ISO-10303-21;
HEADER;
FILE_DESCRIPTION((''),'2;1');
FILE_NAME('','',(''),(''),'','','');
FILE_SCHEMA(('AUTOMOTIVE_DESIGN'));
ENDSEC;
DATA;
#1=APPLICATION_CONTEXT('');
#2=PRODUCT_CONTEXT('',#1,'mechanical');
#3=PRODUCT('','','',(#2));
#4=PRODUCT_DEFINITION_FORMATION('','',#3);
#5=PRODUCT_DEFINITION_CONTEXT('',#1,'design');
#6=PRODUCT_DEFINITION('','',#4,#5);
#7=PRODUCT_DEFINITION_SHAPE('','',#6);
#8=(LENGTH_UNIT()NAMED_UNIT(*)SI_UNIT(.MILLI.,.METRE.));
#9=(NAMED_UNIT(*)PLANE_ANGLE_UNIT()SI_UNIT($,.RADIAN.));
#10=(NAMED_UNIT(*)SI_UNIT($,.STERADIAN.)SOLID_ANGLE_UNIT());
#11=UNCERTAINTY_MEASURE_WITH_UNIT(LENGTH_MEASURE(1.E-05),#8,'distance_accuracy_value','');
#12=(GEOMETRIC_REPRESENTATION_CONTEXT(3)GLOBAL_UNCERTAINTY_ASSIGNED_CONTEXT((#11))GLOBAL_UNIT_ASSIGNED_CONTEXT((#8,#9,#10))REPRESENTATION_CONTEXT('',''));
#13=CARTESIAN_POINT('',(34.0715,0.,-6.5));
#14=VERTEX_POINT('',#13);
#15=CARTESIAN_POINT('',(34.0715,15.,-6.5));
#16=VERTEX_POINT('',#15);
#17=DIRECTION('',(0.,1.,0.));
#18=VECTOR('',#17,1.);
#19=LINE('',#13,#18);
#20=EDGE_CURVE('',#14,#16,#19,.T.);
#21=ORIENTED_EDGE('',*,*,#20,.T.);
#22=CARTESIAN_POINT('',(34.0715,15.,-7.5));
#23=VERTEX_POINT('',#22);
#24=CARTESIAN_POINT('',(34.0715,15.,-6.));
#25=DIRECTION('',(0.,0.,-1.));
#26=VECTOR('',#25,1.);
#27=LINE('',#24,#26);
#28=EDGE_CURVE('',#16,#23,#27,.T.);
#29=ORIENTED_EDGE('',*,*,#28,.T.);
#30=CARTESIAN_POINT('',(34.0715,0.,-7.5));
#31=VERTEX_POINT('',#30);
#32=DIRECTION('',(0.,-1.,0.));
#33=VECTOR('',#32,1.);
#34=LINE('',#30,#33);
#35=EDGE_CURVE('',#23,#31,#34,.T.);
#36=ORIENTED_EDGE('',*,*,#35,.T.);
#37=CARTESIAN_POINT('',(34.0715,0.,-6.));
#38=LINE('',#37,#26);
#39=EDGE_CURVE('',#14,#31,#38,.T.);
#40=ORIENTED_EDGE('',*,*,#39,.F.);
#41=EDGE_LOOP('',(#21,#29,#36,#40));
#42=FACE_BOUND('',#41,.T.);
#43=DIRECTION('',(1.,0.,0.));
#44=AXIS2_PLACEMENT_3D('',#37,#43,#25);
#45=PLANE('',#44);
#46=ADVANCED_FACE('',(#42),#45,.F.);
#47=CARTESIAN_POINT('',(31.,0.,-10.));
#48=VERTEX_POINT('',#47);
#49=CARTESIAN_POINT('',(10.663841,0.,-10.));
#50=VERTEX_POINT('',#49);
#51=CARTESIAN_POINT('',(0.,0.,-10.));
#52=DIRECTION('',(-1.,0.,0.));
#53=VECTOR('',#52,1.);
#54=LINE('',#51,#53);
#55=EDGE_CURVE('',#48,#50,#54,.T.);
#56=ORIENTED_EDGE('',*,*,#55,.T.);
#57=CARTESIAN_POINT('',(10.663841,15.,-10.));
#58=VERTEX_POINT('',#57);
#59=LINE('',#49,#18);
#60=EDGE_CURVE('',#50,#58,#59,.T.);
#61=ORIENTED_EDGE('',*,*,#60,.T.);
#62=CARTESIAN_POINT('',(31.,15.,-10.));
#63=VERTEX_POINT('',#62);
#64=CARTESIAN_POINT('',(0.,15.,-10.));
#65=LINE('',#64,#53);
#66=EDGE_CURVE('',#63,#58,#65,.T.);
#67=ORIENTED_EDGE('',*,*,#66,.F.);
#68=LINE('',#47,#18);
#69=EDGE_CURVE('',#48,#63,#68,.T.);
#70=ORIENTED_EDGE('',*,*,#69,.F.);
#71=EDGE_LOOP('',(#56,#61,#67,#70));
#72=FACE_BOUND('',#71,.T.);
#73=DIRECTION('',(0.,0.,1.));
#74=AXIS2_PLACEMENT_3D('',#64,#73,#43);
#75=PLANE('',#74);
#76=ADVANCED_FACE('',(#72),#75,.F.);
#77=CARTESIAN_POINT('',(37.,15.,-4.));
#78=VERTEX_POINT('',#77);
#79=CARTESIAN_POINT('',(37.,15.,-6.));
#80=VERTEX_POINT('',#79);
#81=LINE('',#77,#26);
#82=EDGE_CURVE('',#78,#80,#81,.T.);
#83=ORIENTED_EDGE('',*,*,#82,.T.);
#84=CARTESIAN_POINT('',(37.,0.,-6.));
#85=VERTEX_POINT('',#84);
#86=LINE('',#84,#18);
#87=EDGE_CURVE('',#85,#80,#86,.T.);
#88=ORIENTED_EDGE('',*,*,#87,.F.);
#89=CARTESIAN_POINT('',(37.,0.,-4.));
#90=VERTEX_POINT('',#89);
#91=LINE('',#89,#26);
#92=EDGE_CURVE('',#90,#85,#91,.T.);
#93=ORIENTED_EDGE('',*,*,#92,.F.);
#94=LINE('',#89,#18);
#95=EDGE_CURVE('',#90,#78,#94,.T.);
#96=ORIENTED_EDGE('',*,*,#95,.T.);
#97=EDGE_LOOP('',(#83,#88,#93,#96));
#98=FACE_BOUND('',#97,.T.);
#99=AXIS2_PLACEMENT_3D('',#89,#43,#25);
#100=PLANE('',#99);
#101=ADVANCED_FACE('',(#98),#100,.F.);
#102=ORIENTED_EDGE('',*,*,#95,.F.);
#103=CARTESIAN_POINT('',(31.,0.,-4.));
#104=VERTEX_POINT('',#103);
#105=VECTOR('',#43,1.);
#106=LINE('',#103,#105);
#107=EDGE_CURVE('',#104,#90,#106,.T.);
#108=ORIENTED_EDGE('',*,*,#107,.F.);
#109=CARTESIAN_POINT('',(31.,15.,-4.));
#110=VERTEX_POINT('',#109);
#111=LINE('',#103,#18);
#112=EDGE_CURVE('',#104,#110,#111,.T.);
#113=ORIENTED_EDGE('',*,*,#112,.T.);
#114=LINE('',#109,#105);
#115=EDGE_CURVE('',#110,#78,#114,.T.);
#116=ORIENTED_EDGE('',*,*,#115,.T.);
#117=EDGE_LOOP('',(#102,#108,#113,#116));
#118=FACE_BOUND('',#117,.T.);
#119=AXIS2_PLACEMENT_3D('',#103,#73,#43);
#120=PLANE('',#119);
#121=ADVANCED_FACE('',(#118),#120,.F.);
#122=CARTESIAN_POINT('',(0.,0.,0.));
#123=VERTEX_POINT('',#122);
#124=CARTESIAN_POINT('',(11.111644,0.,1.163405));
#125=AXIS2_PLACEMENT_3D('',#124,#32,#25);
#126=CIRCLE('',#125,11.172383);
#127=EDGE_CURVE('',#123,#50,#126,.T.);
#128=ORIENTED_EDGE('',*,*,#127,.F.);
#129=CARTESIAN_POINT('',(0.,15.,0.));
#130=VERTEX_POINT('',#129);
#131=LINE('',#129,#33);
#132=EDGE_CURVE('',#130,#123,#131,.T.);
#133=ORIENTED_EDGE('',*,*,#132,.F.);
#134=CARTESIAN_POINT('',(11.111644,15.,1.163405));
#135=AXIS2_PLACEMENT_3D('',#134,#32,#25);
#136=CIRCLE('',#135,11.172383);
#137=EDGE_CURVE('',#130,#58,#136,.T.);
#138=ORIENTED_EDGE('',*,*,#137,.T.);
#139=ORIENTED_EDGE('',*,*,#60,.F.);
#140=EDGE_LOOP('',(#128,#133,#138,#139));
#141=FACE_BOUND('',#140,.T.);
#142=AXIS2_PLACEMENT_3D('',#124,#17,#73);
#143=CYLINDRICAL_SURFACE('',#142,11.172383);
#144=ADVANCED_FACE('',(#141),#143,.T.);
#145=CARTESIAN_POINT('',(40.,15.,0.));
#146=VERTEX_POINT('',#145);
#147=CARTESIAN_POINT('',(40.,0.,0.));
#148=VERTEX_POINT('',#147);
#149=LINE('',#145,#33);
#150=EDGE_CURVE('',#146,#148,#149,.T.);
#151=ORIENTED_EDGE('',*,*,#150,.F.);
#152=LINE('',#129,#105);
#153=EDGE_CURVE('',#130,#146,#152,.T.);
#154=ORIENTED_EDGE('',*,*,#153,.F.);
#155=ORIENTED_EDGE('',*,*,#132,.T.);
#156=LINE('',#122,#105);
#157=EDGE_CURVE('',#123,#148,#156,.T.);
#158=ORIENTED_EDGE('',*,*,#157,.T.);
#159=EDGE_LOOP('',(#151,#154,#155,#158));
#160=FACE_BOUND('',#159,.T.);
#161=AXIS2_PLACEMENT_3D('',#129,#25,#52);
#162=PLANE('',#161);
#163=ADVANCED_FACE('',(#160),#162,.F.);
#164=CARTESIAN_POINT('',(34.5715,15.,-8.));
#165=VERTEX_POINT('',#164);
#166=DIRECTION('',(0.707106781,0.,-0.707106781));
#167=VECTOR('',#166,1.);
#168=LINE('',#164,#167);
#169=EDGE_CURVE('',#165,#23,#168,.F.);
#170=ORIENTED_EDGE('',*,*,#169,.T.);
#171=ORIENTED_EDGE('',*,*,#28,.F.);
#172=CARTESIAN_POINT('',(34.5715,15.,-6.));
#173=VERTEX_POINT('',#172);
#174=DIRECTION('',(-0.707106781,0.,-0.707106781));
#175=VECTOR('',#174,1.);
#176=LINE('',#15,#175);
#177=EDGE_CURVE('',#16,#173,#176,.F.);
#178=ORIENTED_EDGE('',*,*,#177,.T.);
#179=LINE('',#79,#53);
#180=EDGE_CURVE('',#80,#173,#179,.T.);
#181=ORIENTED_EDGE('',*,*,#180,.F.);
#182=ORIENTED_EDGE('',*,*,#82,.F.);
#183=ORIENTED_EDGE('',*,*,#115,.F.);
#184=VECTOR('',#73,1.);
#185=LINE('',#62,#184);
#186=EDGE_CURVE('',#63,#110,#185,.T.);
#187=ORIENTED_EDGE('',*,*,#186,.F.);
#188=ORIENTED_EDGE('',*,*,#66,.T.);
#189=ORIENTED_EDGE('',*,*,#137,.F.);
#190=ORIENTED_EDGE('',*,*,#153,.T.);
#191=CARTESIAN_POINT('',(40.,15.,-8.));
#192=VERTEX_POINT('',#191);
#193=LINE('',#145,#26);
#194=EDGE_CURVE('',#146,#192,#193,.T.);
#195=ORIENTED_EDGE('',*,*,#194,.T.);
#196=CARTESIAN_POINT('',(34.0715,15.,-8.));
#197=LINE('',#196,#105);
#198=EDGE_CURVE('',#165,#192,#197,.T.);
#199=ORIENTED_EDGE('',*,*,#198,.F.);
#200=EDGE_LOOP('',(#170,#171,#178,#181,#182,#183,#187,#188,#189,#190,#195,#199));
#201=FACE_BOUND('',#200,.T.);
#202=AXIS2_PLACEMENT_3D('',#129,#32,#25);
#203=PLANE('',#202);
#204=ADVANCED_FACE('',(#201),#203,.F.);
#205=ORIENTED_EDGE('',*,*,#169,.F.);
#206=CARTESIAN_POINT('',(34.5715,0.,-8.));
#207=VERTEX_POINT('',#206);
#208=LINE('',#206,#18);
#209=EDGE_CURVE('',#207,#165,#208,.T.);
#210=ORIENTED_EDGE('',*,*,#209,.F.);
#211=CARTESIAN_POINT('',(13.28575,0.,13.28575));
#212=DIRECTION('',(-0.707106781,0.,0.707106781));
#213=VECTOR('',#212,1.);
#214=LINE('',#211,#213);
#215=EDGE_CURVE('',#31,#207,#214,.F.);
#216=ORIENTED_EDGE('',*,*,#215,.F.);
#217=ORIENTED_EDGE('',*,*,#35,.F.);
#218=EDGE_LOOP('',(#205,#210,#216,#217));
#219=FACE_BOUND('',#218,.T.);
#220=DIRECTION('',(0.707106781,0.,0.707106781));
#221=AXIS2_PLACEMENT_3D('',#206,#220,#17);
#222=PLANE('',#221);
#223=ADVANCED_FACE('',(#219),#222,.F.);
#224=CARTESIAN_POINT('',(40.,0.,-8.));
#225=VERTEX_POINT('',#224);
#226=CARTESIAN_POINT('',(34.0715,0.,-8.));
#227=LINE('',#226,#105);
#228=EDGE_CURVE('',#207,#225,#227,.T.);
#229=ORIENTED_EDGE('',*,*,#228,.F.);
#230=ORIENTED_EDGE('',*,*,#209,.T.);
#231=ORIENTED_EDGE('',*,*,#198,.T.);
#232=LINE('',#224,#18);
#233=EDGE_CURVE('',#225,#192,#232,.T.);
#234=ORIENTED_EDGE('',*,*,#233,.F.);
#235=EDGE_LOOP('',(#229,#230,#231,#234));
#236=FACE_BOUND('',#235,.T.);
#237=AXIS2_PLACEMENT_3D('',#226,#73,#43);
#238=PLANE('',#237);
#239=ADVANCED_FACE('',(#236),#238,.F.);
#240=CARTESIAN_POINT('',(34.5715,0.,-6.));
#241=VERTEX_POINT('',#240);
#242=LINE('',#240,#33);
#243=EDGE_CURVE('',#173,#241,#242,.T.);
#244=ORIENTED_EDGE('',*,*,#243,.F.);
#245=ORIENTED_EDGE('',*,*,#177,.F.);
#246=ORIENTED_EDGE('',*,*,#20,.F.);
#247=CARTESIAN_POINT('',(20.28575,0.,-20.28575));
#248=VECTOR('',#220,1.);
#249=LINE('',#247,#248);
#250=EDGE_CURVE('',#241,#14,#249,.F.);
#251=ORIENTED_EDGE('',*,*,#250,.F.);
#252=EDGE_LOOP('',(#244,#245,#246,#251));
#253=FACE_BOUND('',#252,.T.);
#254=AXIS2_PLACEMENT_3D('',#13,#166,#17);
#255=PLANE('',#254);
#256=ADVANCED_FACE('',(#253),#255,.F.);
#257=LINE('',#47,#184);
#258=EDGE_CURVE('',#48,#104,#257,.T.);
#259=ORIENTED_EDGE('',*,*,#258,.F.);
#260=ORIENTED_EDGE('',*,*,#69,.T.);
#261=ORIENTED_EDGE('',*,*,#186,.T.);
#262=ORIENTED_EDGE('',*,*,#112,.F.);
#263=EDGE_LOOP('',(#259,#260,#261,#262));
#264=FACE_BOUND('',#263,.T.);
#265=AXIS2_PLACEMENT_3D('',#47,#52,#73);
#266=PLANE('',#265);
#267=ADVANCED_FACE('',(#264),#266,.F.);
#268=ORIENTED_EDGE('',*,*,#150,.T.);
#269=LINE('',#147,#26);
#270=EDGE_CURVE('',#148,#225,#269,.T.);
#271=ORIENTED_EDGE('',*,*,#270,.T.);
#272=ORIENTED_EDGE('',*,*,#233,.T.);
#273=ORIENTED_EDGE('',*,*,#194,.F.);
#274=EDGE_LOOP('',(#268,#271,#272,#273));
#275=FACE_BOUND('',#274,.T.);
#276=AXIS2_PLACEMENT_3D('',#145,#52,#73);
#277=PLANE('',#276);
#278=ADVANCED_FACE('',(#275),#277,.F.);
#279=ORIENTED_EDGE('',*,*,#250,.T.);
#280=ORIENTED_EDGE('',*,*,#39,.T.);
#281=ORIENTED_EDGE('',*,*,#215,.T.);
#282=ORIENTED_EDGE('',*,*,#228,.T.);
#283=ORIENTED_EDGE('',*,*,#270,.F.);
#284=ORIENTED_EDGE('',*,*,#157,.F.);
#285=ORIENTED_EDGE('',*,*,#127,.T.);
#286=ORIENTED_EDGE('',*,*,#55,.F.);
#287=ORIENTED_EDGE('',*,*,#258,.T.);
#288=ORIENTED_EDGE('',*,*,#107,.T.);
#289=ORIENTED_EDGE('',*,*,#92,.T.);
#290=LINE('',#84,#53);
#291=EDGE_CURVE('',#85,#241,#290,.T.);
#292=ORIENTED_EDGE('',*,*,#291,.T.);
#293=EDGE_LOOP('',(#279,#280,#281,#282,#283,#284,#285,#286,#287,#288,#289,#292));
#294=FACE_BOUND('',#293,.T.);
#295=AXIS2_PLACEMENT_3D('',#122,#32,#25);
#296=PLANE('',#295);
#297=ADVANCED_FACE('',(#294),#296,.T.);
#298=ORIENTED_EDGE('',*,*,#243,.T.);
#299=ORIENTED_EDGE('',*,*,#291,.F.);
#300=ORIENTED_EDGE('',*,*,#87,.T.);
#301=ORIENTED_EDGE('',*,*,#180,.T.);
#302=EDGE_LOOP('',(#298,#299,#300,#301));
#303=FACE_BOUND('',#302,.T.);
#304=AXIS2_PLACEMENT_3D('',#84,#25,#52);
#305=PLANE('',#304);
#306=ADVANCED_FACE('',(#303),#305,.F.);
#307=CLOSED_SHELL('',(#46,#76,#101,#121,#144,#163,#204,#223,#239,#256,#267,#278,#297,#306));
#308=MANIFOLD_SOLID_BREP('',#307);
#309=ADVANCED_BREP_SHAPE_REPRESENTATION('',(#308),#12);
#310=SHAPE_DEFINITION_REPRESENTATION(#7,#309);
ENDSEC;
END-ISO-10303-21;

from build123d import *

# Parameters (mm, degrees)
SKETCH1_W           = 40
SKETCH1_H           = 10
BOSS_EXTRUDE1_DEPTH = 15
CUT_EXTRUDE1_DEPTH  = 44.874821937
CUT_EXTRUDE2_DEPTH  = 44.874821937
CHAMFER1_SIZE       = 0.5


with BuildPart() as part:
    # Sketch1 → Boss-Extrude1 (new body)
    with BuildSketch(Plane(origin=(0, 0, 0), x_dir=(1, 0, 0), z_dir=(0, 1, 0))):
        with Locations((20, 5)):
            Rectangle(SKETCH1_W, SKETCH1_H)
    extrude(amount=BOSS_EXTRUDE1_DEPTH)

    # Sketch2 → Cut-Extrude1 (cut, through all)
    with BuildSketch(Plane(origin=(0, 15, 0), x_dir=(1, 0, 0), z_dir=(0, 1, 0))):
        with BuildLine():
            Line((10.663840824, 10), (0, 10))
            Line((0, 10), (0, 0))
            ThreePointArc((0, 0), (3.469314238, 6.986253576), (10.663840824, 10))
        make_face()
    extrude(amount=-CUT_EXTRUDE1_DEPTH, mode=Mode.SUBTRACT)

    # Sketch3 → Cut-Extrude2 (cut, through all)
    with BuildSketch(Plane(origin=(0, 15, 0), x_dir=(1, 0, 0), z_dir=(0, 1, 0))):
        Polygon((40, 10), (31, 10), (31, 4), (37, 4), (37, 6), (34.071499669, 6), (34.071499669, 8), (40, 8), align=None)
    extrude(amount=-CUT_EXTRUDE2_DEPTH, mode=Mode.SUBTRACT)

    # Chamfer1
    chamfer1_edges = [part.edges().sort_by_distance(p)[0] for p in [
        (34.071499669, 7.5, -8),
        (34.071499669, 7.5, -6),
    ]]
    chamfer(chamfer1_edges, length=CHAMFER1_SIZE)


solid = part.part
